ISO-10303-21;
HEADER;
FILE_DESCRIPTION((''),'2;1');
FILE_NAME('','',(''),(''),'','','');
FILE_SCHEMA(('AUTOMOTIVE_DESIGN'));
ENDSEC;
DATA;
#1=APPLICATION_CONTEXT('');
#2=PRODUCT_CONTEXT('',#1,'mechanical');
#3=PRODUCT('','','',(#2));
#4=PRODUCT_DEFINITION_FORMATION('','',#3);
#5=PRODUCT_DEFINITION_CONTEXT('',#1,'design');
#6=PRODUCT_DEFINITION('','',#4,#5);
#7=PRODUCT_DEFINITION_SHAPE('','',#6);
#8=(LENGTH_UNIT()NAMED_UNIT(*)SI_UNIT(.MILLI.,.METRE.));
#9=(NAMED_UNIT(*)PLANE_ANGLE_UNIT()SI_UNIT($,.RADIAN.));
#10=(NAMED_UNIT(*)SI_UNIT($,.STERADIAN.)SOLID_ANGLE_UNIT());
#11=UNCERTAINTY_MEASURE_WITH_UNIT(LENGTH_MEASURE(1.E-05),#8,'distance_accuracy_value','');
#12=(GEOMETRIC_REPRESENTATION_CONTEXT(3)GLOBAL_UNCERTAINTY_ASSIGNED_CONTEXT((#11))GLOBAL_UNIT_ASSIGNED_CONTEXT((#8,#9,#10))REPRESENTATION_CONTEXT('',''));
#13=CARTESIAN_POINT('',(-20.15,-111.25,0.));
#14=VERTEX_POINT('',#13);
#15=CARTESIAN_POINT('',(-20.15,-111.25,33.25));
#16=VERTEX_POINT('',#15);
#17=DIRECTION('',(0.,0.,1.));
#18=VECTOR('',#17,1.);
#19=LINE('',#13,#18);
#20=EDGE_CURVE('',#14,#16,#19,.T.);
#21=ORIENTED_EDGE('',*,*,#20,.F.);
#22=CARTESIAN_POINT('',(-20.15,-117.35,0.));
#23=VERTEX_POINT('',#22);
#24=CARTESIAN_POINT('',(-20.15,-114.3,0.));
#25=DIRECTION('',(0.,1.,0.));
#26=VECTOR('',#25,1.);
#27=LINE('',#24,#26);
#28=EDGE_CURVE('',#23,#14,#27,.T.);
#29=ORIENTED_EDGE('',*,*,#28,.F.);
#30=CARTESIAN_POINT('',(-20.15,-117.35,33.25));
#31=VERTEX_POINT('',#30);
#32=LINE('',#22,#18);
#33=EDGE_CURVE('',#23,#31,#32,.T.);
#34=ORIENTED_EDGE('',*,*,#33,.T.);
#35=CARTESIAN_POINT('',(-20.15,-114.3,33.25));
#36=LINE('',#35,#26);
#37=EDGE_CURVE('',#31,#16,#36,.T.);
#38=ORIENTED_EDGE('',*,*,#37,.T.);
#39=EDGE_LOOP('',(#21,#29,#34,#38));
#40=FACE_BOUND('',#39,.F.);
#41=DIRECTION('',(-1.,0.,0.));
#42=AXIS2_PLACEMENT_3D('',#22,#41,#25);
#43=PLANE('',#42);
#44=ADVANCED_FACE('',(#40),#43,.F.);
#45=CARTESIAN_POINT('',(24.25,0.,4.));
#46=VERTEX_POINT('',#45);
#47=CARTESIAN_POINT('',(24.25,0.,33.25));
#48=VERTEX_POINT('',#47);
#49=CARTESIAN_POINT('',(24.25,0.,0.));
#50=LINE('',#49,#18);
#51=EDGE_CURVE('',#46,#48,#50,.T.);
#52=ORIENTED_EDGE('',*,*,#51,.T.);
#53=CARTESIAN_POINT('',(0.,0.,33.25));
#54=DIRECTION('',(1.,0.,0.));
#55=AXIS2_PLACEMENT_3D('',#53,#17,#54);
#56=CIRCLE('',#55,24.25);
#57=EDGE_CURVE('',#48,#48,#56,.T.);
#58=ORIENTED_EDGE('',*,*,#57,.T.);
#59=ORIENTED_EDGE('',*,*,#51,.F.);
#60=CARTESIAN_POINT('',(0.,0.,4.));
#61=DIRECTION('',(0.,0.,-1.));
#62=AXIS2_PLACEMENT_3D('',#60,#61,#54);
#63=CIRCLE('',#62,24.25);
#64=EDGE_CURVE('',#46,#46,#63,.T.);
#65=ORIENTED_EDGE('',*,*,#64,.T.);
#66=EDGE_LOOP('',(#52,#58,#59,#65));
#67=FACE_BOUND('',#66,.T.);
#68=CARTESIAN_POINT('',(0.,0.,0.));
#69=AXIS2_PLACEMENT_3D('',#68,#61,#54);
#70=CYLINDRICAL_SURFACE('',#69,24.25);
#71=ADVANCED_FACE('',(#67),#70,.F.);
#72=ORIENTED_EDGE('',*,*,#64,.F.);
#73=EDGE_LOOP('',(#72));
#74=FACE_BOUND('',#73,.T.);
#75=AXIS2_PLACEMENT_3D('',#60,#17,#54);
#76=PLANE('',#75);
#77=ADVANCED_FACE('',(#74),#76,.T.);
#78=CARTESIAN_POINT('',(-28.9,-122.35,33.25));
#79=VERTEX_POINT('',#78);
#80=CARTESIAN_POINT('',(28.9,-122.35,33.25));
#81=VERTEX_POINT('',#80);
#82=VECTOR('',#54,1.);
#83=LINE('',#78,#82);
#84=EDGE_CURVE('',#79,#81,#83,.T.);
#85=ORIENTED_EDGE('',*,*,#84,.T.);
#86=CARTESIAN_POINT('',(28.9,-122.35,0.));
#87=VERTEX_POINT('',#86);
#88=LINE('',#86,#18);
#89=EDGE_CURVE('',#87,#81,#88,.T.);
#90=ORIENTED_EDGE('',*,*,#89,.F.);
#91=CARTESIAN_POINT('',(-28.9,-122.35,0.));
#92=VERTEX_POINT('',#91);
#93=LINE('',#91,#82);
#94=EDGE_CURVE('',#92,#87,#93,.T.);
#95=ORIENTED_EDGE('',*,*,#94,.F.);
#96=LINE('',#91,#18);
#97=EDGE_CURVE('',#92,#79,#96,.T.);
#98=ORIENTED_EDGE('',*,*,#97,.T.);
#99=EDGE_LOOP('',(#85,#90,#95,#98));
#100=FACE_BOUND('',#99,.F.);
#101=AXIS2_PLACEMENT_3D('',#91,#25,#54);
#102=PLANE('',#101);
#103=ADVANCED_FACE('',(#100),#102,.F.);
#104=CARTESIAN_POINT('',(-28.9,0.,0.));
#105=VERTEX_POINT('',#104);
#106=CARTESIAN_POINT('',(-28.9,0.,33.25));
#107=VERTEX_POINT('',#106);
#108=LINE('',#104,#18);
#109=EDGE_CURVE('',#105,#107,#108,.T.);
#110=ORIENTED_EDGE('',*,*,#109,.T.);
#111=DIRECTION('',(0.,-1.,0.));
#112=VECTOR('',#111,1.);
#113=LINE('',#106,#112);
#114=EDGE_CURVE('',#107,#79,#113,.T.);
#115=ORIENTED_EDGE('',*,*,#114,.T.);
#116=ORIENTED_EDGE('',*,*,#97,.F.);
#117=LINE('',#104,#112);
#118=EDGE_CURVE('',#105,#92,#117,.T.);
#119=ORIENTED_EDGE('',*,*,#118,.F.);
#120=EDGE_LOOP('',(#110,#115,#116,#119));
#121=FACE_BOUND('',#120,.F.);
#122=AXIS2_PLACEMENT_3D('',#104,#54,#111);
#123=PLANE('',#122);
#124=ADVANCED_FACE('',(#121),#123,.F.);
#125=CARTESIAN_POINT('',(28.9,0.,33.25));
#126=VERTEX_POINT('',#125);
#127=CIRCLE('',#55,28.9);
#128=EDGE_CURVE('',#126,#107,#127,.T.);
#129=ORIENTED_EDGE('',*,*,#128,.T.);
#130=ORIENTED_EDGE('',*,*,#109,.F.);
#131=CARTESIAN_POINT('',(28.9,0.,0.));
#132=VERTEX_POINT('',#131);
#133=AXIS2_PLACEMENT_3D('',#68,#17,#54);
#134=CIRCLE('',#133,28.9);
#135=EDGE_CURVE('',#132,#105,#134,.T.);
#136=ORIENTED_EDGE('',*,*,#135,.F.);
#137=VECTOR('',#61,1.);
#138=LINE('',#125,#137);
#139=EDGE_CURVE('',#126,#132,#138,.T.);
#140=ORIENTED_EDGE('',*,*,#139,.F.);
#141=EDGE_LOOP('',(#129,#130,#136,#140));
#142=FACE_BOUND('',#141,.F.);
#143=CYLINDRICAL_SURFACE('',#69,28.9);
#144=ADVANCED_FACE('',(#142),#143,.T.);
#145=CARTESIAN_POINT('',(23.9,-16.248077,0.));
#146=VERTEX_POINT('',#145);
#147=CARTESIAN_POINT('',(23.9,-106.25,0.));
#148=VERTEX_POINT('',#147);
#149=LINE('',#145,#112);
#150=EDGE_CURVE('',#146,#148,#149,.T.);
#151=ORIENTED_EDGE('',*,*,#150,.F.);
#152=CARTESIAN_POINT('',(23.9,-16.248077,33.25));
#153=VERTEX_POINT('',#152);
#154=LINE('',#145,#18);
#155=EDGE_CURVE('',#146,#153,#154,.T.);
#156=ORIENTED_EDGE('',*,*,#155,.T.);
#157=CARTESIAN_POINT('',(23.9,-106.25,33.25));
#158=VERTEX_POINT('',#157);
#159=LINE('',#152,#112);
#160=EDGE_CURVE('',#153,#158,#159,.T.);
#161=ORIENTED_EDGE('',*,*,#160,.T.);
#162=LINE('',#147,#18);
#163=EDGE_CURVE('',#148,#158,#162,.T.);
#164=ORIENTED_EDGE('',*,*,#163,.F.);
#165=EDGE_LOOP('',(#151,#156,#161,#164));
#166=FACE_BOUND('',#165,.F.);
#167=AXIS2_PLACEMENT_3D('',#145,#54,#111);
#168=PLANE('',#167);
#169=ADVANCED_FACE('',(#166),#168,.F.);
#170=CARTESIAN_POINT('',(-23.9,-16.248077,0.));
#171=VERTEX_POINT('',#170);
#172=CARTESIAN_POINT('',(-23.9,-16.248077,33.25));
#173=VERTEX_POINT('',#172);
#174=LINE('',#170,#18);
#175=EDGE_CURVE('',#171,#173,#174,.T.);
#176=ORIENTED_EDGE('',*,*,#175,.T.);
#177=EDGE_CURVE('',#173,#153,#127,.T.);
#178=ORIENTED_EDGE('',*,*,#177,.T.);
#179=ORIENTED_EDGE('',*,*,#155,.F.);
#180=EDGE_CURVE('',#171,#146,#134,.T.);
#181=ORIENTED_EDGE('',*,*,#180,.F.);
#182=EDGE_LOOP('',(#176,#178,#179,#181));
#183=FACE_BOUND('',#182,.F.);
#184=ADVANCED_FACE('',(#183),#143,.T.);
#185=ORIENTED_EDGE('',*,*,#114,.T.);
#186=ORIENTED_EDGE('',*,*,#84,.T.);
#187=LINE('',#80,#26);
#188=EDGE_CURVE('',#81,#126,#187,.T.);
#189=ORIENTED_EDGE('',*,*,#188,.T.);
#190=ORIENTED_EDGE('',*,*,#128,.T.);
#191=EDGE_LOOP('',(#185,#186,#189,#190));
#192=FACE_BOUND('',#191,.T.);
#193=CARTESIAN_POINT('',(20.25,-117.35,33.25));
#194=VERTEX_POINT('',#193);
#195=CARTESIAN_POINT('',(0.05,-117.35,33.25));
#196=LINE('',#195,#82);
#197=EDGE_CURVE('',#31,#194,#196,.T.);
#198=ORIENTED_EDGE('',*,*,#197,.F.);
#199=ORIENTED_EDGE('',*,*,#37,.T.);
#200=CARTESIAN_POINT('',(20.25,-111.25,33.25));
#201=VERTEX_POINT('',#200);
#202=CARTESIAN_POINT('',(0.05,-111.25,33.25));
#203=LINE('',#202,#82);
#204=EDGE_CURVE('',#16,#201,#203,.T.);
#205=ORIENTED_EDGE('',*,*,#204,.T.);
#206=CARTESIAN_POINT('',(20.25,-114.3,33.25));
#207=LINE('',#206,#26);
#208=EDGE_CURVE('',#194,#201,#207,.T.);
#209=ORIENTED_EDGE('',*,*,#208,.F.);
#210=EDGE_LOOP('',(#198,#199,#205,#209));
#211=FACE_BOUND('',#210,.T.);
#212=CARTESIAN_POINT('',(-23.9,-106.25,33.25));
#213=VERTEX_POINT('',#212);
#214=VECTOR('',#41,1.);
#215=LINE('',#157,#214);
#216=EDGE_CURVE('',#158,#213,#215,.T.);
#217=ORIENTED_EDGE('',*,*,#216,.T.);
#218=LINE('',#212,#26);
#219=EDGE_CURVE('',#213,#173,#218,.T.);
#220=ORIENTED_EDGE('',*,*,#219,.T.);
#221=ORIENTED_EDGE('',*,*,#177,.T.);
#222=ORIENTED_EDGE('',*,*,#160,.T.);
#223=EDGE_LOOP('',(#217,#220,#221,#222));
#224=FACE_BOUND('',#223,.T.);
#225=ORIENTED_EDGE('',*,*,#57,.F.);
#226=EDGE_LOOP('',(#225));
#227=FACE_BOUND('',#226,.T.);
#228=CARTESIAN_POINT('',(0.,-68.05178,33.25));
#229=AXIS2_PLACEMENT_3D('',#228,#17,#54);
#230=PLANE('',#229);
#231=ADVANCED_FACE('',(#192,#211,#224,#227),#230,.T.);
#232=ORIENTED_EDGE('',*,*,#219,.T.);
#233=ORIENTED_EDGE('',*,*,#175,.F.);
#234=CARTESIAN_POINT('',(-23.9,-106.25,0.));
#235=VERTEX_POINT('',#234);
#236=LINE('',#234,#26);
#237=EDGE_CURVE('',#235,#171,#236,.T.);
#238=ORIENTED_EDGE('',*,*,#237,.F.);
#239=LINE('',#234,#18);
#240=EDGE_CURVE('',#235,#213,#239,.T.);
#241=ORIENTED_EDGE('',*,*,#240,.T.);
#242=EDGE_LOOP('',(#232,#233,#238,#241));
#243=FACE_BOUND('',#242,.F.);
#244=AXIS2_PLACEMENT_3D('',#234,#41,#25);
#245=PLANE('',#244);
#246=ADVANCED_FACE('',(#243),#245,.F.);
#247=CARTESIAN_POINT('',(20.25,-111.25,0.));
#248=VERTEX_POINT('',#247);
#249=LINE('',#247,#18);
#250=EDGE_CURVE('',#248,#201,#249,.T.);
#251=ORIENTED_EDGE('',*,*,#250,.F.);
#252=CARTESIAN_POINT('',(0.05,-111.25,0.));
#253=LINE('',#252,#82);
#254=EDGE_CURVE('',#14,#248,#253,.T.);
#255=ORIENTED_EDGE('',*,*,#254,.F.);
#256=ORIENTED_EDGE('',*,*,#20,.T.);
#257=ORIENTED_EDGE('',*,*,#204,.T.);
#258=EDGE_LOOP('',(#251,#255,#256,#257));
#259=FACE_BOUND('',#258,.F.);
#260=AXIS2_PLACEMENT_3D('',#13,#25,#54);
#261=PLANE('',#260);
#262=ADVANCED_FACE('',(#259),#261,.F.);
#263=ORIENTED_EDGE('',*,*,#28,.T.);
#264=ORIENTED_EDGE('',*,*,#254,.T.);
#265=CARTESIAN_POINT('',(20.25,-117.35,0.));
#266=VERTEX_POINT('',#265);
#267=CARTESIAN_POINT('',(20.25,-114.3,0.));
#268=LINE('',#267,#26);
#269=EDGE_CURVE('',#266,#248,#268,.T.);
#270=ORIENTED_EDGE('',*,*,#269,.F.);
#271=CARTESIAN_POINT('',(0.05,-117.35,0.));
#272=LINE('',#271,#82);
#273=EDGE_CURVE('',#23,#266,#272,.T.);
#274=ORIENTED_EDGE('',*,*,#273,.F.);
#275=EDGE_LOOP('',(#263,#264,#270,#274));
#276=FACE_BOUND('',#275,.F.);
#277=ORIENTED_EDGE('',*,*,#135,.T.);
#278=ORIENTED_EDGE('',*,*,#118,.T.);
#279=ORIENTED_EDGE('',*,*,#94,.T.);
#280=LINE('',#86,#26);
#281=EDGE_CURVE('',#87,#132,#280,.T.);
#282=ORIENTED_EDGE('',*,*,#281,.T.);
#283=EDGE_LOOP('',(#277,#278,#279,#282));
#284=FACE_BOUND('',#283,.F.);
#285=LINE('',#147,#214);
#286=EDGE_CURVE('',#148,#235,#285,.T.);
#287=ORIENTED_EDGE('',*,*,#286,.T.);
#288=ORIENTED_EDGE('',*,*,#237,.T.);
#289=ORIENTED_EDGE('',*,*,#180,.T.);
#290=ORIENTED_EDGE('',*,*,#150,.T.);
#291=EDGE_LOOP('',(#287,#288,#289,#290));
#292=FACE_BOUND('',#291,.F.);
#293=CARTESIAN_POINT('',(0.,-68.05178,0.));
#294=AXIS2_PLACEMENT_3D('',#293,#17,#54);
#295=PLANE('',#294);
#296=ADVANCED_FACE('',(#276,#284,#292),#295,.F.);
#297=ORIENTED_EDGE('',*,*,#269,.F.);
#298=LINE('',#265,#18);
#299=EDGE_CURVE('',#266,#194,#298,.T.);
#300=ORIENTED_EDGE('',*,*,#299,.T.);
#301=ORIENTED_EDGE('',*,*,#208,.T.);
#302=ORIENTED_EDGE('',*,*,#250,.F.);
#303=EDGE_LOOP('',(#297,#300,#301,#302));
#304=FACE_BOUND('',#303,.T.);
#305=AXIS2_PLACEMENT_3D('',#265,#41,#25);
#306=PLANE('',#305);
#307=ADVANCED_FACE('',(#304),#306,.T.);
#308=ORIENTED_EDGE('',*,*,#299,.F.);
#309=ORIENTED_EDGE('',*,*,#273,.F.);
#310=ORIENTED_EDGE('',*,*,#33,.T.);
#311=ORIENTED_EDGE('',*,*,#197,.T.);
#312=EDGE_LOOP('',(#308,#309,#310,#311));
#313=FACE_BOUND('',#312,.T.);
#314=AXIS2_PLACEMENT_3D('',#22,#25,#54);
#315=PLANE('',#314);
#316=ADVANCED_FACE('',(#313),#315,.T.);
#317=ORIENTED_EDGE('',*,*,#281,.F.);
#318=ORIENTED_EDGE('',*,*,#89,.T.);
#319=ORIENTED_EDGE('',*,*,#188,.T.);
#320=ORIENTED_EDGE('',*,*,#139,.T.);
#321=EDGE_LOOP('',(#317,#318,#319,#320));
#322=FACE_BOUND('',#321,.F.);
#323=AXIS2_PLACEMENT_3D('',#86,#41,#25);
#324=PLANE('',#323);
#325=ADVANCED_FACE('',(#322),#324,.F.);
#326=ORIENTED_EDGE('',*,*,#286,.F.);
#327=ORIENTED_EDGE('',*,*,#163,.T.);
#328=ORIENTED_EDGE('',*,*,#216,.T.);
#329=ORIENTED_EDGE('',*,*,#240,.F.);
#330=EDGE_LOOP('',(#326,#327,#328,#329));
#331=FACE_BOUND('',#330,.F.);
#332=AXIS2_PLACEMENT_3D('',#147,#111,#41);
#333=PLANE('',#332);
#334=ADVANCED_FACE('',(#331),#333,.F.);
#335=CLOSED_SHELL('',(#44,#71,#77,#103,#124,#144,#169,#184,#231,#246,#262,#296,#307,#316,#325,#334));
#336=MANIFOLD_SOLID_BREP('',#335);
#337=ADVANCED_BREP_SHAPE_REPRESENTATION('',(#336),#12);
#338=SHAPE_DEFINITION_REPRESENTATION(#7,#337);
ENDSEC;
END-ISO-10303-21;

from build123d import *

# Parameters (mm, degrees)
F0_R     = 28.9
F0_R_2   = 24.25
F1_DEPTH = 33.25
F2_R     = 28.9
F3_DEPTH = 4
F4_W     = 40.4
F4_H     = 6.1
F5_DEPTH = 33.25


with BuildPart() as f1:
    # F0 (on Top) → F1 (new body)
    with BuildSketch(Plane.XY):
        Circle(F0_R)
        Circle(F0_R_2, mode=Mode.SUBTRACT)
    extrude(amount=F1_DEPTH)

    # F2 (on Top) → F3 (join)
    with BuildSketch(Plane.XY):
        Circle(F2_R)
    extrude(amount=F3_DEPTH)

    # F4 (on Top) → F5 (join, through all)
    with BuildSketch(Plane.XY):
        with BuildLine():
            Line((28.9, -73.001511), (28.9, 0))
            ThreePointArc((28.9, 0), (27.621731, -8.5), (23.9, -16.248077))
            Line((23.9, -16.248077), (23.9, -66.324389))
            Line((23.9, -66.324389), (23.9, -106.25))
            Line((23.9, -106.25), (-23.9, -106.25))
            Line((-23.9, -106.25), (-23.9, -66.324378))
            Line((-23.9, -66.324378), (-23.9, -16.248077))
            ThreePointArc((-23.9, -16.248077), (-27.621731, -8.5), (-28.9, 0))
            Line((-28.9, 0), (-28.9, -73.001511))
            Line((-28.9, -73.001511), (-28.9, -88.678621))
            Line((-28.9, -88.678621), (-28.9, -122.35))
            Line((-28.9, -122.35), (28.9, -122.35))
            Line((28.9, -122.35), (28.9, -88.678621))
            Line((28.9, -88.678621), (28.9, -73.001511))
        make_face()
        with Locations((0.05, -114.3)):
            Rectangle(F4_W, F4_H, mode=Mode.SUBTRACT)
    extrude(amount=F5_DEPTH)


solid = f1.part
